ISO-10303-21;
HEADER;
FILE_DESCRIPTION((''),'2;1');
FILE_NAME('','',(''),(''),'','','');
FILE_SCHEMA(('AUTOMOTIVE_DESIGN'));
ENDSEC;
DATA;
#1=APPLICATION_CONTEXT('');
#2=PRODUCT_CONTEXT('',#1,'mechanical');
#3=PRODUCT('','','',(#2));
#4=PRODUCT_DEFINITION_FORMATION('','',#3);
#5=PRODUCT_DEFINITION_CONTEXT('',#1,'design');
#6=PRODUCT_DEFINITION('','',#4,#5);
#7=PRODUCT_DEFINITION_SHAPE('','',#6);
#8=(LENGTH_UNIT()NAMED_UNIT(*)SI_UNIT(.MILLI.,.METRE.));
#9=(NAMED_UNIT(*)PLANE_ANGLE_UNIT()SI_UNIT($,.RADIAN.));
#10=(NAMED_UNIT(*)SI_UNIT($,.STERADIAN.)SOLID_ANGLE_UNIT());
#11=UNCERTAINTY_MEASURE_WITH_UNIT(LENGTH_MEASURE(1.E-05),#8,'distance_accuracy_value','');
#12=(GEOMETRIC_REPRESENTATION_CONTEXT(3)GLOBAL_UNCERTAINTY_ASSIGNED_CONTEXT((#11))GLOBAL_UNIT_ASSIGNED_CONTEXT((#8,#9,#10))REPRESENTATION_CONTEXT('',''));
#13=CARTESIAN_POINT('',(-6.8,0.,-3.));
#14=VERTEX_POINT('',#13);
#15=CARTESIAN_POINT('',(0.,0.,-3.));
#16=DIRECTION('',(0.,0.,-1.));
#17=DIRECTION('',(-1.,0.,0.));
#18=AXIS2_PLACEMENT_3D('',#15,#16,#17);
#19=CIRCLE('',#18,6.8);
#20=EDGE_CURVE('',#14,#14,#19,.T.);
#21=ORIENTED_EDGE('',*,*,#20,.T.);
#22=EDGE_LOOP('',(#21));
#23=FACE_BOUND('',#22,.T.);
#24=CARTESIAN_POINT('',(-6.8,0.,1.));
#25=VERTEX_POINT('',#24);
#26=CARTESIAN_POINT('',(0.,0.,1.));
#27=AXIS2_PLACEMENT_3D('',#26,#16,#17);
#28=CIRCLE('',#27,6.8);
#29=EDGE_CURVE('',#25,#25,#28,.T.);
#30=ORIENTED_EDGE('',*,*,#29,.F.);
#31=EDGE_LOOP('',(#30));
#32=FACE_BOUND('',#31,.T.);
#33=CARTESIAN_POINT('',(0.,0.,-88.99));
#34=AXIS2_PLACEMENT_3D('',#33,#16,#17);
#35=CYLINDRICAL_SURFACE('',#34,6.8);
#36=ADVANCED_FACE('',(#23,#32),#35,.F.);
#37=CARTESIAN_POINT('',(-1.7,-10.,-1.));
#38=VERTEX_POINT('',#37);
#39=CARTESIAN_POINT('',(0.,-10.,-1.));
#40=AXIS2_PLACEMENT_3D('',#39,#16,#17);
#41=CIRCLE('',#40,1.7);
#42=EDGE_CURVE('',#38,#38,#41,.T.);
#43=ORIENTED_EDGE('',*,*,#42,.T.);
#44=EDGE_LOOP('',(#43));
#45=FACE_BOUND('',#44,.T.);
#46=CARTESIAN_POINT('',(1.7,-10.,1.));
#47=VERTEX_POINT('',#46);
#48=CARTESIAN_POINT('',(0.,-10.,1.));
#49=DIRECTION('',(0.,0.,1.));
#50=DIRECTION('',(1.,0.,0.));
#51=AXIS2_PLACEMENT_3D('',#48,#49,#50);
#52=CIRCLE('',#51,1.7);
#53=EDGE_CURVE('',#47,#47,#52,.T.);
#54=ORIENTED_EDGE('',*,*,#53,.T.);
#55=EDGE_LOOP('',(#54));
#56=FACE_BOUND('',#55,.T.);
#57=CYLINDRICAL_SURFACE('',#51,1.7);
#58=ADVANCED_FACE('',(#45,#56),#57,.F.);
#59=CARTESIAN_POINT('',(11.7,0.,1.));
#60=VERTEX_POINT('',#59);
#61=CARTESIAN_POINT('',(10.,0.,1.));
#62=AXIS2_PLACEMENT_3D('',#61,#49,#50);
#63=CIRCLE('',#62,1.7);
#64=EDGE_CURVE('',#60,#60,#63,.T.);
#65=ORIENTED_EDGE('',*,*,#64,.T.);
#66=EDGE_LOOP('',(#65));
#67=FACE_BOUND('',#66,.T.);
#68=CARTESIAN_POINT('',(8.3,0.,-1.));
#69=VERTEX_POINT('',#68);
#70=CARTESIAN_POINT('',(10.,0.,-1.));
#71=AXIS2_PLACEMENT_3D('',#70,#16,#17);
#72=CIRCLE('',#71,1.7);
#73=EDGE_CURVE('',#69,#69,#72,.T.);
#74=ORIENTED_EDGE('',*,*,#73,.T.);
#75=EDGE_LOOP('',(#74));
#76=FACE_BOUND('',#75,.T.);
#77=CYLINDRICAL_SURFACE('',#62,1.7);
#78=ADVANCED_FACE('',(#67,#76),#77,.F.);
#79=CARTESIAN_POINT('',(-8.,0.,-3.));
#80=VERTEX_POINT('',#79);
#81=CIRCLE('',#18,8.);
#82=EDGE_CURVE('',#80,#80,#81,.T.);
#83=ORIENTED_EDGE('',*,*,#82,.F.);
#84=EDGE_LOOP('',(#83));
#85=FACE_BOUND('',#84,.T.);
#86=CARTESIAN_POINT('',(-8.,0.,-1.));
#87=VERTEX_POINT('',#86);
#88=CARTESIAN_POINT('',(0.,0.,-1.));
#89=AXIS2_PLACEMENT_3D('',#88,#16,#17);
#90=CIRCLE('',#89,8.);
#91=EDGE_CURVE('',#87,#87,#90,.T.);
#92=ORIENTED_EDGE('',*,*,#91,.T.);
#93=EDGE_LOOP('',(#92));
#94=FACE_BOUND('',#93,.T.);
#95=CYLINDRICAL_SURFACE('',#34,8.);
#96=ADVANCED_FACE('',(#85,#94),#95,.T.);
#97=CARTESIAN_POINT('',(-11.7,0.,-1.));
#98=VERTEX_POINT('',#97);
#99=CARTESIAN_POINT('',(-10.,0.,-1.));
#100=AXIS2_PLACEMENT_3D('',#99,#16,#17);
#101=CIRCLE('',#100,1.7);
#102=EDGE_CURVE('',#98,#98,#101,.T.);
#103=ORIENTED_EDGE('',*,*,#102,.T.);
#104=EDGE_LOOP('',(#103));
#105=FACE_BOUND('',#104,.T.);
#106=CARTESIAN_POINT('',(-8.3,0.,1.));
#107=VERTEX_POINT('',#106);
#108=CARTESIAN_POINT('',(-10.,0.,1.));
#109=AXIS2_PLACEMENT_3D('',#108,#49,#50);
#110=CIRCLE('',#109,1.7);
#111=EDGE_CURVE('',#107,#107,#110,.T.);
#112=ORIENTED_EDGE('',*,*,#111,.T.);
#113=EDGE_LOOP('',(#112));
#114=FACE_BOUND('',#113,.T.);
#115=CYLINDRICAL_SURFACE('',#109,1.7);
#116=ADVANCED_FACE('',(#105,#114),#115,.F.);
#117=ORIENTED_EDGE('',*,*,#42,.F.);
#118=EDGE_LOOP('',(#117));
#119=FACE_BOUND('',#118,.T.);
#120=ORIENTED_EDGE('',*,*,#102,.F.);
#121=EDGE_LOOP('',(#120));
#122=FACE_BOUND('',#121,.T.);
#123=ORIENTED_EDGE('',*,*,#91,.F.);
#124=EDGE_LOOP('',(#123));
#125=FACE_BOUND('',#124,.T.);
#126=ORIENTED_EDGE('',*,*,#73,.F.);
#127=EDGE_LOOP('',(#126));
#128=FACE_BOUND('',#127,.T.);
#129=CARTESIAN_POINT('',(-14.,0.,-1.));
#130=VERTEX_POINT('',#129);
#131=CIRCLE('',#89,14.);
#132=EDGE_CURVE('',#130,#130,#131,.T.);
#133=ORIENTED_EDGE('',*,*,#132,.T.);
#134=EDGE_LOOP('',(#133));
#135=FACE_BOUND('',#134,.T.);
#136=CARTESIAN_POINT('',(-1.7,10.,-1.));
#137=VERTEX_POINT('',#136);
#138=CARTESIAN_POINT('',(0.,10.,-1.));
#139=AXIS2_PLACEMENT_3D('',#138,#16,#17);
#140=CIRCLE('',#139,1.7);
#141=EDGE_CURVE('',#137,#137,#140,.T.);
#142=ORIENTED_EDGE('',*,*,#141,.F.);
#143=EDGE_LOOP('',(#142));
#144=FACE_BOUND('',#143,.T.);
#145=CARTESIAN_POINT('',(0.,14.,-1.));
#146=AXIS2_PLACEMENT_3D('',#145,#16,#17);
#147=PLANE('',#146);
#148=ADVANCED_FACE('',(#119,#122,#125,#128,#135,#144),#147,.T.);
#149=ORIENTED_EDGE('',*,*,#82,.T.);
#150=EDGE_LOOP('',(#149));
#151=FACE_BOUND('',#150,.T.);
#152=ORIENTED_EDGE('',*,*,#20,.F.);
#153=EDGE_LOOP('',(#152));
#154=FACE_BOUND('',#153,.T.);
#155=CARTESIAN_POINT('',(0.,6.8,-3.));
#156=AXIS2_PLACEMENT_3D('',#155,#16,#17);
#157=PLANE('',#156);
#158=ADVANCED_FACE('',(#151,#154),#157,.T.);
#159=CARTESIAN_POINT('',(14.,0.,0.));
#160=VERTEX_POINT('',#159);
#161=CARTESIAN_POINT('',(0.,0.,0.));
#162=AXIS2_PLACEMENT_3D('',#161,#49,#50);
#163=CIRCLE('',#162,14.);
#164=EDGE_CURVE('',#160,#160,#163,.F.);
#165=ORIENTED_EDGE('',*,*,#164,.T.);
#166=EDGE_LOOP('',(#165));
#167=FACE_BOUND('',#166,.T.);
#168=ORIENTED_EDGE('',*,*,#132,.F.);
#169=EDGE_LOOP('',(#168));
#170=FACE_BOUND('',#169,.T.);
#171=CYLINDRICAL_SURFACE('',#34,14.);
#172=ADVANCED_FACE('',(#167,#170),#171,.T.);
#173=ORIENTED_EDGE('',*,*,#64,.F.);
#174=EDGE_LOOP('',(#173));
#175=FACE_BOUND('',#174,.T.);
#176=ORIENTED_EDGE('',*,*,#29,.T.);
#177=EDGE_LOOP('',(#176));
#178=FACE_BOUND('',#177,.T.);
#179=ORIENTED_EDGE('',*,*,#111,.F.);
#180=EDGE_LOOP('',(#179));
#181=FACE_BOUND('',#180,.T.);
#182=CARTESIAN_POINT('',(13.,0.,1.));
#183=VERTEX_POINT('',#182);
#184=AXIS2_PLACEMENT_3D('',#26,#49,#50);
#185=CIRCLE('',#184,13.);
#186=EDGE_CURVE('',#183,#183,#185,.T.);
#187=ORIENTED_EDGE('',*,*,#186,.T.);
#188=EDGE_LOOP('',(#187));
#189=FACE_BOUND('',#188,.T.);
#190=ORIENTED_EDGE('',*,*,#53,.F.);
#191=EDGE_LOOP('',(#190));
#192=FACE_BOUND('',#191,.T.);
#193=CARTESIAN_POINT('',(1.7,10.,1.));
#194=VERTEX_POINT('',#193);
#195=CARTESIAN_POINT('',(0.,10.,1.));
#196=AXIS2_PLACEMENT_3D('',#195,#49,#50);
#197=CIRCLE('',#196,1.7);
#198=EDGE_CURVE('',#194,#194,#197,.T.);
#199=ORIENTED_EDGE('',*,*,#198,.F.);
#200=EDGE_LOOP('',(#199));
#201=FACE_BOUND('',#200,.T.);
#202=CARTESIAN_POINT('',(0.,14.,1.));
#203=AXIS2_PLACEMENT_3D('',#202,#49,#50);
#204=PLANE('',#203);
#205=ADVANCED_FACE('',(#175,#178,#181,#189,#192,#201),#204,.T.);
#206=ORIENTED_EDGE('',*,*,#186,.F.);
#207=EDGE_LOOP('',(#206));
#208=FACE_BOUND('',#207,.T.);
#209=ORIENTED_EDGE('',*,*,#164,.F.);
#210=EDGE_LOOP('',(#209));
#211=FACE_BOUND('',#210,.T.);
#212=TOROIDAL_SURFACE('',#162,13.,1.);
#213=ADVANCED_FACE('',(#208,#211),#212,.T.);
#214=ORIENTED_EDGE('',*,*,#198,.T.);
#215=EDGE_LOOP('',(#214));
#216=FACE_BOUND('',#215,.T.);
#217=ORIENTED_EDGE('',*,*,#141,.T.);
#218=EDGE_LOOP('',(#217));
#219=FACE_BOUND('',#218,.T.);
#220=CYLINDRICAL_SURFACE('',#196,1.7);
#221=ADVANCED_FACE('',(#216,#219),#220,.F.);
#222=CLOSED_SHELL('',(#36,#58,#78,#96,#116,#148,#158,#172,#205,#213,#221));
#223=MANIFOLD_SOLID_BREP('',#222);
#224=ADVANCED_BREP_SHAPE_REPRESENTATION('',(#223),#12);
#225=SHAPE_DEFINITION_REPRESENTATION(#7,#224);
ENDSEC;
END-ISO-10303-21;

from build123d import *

# Parameters (mm, degrees)
CIRPATTERN1_COUNT = 4
FILLET1_R         = 1


with BuildPart() as part:
    # Sketch1 → Revolve1 (revolve)
    with BuildSketch(Plane(origin=(0, 0, 0), x_dir=(0, 0, -1), z_dir=(1, 0, 0))):
        Polygon((-1, 14), (1, 14), (1, 8), (3, 8), (3, 6.8), (-1, 6.8), align=None)
    revolve(axis=Axis((0, 0, -88.99), (0, 0, 1)))

    # Sketch4 → M3 Clearance Hole1 (revolve, cut)
    with BuildSketch(Plane(origin=(10, 0, 1), x_dir=(0, -1, 0), z_dir=(1, 0, 0))):
        Polygon((0, 0), (0, 9.021463052), (1.7, 8), (1.7, 0), align=None)
    m3_clearance_hole1 = revolve(axis=Axis((10, 0, 7.35), (0, 0, -1)), mode=Mode.SUBTRACT)

    # CirPattern1: M3 Clearance Hole1 ×4 about axis
    cirpattern1_axis = Axis((0, 0, -88.99), (0, 0, 1))
    for i in range(1, CIRPATTERN1_COUNT):
        add(m3_clearance_hole1.rotate(cirpattern1_axis, i * 360 / CIRPATTERN1_COUNT), mode=Mode.SUBTRACT)

    # Fillet1
    fillet1_edges = [part.edges().sort_by_distance(p)[0] for p in [
        (0, -14, 1),
    ]]
    fillet(fillet1_edges, radius=FILLET1_R)


solid = part.part
